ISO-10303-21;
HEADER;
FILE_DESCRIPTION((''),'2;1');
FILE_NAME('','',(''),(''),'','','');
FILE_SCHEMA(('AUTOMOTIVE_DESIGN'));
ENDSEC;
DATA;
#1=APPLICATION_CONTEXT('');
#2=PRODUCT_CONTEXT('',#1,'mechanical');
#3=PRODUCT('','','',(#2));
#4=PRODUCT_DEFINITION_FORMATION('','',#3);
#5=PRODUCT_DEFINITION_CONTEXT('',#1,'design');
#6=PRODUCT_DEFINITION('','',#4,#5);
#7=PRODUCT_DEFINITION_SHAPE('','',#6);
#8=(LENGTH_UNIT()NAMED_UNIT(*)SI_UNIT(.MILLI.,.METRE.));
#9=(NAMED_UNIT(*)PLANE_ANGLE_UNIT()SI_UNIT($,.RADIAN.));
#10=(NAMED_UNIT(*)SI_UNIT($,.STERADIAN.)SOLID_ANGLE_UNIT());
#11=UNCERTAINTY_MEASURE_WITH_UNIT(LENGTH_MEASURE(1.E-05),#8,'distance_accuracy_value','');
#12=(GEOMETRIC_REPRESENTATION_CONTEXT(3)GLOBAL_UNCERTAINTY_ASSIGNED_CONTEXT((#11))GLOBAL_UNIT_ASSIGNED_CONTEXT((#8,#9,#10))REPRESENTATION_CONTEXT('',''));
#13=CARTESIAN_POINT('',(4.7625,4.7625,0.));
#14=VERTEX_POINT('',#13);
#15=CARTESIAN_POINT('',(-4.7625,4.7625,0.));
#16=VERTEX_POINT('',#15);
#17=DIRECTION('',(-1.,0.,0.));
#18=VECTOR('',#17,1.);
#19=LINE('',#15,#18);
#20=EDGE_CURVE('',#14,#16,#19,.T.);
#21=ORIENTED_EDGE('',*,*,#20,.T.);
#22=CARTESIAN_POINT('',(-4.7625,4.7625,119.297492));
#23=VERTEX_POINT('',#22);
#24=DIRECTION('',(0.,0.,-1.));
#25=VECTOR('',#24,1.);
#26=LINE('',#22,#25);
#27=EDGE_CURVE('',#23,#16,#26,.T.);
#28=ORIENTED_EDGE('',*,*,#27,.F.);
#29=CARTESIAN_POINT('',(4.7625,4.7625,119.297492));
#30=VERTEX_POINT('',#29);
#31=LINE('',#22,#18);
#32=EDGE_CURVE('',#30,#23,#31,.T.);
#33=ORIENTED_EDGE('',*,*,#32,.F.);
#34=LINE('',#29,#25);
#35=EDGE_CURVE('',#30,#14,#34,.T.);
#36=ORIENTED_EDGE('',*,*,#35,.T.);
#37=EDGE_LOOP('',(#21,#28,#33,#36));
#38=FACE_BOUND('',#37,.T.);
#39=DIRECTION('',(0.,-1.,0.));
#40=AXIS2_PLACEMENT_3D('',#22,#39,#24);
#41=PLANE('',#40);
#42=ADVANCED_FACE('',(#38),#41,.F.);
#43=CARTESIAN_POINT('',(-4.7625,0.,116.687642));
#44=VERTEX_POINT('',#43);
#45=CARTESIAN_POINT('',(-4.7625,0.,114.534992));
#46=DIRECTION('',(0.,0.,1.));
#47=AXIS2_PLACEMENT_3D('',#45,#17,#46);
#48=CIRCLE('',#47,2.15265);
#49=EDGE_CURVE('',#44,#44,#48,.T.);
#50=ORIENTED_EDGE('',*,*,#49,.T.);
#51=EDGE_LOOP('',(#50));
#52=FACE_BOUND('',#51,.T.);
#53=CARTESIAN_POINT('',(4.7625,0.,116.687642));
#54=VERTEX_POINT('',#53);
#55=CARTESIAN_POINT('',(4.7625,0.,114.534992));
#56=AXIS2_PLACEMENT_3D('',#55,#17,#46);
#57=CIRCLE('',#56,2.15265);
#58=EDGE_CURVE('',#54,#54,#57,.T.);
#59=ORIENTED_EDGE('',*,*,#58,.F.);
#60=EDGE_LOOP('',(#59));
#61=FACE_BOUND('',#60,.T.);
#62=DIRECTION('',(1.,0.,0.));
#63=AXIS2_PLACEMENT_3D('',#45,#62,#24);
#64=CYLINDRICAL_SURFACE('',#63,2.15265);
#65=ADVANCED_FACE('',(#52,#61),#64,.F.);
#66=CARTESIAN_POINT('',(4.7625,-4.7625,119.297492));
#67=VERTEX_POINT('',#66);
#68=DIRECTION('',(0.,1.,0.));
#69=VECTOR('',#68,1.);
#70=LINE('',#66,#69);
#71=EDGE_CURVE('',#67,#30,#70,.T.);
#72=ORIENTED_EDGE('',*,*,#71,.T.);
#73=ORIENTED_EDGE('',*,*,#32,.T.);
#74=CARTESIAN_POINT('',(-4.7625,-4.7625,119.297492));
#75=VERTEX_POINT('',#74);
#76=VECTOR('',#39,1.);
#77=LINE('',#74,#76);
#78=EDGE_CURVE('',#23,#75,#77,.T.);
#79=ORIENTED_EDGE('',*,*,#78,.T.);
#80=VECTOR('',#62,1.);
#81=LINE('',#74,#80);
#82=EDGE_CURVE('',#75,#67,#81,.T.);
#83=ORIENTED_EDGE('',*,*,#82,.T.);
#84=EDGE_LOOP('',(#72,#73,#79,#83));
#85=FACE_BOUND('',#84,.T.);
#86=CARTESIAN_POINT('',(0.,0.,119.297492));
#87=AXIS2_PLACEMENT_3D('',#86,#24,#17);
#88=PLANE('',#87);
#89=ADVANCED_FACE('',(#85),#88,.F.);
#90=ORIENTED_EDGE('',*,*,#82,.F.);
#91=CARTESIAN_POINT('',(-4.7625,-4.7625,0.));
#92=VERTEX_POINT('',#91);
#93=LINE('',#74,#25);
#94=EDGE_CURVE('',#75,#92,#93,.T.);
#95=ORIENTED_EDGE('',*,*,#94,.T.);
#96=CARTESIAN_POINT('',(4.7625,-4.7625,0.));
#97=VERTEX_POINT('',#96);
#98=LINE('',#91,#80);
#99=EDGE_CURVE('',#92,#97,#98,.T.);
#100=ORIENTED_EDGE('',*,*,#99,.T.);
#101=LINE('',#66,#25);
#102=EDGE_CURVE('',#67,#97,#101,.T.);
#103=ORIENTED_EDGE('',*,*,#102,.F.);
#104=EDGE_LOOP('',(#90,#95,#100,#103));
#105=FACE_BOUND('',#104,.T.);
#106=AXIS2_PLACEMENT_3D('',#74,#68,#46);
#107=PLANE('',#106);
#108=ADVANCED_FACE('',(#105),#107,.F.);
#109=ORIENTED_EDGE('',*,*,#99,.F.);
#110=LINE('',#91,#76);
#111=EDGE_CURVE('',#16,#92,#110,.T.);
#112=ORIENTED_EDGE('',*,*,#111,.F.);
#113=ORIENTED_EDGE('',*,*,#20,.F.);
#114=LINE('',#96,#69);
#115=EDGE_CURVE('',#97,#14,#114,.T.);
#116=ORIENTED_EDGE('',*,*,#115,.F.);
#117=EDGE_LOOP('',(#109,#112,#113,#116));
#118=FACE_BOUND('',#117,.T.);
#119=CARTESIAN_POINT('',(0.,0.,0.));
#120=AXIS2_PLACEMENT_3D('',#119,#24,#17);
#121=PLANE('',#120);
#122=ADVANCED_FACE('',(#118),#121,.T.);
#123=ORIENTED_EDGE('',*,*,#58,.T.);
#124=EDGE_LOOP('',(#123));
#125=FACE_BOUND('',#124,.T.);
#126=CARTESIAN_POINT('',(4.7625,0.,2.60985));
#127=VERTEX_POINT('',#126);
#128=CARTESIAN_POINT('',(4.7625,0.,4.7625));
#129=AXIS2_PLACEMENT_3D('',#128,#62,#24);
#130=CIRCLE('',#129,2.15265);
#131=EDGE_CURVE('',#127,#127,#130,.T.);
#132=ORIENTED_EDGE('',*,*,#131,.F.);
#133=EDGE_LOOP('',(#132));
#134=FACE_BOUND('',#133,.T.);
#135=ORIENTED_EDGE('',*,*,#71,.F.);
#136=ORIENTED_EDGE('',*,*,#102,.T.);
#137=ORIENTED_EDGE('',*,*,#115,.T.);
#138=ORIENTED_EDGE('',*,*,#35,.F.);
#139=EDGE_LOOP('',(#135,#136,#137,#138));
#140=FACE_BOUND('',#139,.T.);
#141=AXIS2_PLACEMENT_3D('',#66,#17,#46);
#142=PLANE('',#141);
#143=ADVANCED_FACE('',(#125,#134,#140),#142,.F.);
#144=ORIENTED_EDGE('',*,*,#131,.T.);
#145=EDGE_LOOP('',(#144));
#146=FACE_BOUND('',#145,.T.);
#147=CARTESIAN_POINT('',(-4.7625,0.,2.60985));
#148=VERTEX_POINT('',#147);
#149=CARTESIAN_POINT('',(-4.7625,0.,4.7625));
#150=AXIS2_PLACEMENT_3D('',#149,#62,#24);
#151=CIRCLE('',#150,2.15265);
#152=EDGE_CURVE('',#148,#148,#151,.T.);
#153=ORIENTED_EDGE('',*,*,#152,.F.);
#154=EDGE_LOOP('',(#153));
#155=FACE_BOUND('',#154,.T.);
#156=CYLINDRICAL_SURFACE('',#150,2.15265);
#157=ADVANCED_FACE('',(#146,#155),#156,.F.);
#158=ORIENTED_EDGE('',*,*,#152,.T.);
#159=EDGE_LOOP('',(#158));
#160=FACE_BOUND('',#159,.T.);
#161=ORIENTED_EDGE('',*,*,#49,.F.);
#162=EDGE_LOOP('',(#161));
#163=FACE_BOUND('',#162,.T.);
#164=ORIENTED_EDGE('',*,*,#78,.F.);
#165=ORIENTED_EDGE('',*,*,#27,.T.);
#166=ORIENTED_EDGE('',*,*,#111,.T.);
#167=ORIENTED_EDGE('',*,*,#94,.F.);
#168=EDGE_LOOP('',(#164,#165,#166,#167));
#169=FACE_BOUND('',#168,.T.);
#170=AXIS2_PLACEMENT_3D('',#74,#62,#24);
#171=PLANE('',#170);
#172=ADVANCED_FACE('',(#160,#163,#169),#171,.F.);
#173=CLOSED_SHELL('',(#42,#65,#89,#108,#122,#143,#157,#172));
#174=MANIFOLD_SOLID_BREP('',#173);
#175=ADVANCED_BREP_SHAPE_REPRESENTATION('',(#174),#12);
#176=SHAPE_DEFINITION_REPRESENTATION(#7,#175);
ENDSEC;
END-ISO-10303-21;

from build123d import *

# Parameters (mm, degrees)
SKETCH1_W           = 9.525
SKETCH1_H           = 9.525
BOSS_EXTRUDE1_DEPTH = 119.297492001
SKETCH3_R           = 2.15265
CUT_EXTRUDE1_DEPTH  = 10.525


with BuildPart() as part:
    # Sketch1 → Boss-Extrude1 (new body)
    with BuildSketch(Plane.XY):
        Rectangle(SKETCH1_W, SKETCH1_H)
    extrude(amount=BOSS_EXTRUDE1_DEPTH)

    # Sketch3 → Cut-Extrude1 (cut, through all)
    with BuildSketch(Plane(origin=(4.7625, 0, 0), x_dir=(0, 0, -1), z_dir=(1, 0, 0))):
        with Locations((-4.7625, 0)):
            Circle(SKETCH3_R)
    cut_extrude1 = extrude(amount=-CUT_EXTRUDE1_DEPTH, mode=Mode.SUBTRACT)

    # Mirror1: Cut-Extrude1 across plane
    add(cut_extrude1.mirror(Plane(origin=(0, 0, 59.648746), x_dir=(1, 0, 0), z_dir=(0, 0, -1))), mode=Mode.SUBTRACT)


solid = part.part
